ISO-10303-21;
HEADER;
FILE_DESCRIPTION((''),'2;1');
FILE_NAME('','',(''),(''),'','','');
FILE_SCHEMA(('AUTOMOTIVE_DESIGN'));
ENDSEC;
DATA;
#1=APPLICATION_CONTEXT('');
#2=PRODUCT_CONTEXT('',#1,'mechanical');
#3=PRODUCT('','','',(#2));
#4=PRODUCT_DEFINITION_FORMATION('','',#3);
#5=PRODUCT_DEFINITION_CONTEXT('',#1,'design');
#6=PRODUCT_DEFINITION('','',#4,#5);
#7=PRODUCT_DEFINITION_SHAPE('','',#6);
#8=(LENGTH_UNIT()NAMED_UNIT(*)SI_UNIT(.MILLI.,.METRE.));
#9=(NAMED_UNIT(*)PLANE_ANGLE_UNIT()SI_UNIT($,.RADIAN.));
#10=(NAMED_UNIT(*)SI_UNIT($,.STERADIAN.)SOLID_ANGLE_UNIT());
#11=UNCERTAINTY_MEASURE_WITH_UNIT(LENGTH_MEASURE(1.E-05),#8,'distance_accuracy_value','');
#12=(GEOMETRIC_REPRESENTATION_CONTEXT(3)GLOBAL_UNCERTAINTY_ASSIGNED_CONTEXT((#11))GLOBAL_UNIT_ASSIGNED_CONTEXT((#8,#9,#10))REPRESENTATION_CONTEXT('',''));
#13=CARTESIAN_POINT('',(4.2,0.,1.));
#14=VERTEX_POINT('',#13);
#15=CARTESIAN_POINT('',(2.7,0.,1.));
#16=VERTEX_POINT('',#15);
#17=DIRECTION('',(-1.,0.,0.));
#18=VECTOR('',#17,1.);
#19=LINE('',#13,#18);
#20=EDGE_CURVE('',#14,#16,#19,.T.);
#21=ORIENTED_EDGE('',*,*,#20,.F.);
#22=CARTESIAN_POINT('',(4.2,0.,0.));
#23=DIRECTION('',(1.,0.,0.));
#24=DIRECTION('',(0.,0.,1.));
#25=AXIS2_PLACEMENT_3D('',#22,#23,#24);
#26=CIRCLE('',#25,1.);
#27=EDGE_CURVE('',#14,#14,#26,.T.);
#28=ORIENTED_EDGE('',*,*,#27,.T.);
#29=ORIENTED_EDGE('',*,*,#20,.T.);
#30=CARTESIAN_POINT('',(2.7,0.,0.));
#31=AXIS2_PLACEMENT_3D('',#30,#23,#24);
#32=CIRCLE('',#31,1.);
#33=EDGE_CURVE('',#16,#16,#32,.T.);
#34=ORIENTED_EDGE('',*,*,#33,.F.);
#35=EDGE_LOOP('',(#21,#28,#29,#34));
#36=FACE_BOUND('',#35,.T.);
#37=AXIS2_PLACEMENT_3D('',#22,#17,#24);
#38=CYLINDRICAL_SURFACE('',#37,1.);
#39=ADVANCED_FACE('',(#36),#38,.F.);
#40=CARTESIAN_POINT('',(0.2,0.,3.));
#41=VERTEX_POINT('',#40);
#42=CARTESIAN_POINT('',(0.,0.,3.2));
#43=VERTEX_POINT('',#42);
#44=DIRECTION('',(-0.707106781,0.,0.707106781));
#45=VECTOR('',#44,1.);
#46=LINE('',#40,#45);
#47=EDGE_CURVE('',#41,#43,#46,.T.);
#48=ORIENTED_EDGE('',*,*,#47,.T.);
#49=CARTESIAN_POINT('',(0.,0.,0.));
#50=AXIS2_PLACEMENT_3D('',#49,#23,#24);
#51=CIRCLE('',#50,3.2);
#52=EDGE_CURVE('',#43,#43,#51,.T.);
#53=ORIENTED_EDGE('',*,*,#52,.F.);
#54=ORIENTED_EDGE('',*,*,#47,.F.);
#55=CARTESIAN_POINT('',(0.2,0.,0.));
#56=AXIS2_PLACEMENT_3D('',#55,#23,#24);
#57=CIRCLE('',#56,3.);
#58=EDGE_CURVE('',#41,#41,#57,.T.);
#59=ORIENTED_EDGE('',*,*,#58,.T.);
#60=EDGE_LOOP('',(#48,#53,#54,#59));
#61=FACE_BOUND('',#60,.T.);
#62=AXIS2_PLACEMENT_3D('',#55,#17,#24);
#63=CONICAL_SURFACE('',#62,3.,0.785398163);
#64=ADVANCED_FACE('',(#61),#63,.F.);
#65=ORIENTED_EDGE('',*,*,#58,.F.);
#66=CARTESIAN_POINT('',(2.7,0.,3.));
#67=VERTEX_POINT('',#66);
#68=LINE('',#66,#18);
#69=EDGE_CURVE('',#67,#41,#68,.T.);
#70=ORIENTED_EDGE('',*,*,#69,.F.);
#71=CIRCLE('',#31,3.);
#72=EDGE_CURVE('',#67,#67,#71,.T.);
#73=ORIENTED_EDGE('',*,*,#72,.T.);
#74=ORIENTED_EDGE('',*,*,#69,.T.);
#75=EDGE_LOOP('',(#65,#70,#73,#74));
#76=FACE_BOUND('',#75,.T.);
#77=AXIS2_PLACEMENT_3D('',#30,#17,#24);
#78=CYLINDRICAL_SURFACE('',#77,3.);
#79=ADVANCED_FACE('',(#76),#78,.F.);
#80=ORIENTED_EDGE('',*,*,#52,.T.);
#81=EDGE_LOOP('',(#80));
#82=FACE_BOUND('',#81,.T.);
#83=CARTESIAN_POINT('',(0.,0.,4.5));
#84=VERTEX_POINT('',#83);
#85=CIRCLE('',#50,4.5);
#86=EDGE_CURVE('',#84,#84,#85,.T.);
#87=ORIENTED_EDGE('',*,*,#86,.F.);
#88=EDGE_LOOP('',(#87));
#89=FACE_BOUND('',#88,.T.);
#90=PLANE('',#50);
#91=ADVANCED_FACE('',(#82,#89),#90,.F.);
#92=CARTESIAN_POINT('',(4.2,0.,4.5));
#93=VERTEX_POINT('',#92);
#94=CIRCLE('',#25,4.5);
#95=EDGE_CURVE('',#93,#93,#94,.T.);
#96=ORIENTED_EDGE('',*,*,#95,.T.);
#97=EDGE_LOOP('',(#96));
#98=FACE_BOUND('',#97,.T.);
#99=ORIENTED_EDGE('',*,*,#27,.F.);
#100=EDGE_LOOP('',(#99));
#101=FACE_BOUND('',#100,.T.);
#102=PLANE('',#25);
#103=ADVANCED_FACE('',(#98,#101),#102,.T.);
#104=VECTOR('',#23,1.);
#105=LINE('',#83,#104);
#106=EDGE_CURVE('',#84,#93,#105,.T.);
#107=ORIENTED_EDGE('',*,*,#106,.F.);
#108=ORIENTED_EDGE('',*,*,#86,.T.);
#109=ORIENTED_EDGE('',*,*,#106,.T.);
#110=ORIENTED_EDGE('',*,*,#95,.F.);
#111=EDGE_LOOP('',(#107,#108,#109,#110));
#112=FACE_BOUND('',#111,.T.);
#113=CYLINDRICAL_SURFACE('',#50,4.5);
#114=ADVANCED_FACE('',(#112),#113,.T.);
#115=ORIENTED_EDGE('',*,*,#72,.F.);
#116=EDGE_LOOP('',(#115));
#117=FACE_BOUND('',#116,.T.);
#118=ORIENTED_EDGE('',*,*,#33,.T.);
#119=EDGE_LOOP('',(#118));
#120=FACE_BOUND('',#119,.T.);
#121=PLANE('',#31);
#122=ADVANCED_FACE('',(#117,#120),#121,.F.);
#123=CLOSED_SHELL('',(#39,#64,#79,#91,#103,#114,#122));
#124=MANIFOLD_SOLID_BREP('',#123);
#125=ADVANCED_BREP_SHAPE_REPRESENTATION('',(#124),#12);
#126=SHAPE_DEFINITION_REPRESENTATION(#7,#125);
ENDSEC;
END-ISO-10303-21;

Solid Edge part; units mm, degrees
sketch "Sketch1" plane through (0, 0, 0) normal (0, -1, 0) x (1, 0, 0)
  line L0 (0, 4.5) -> (4.2, 4.5)
  line L1 (4.2, 4.5) -> (4.2, 1)
  line L2 (4.2, 1) -> (2.7, 1)
  line L3 (2.7, 1) -> (2.7, 3)
  line L4 (2.7, 3) -> (0, 3)
  line L5 (0, 3) -> (0, 4.5)
revolve "RevolvedProtrusion1" add sketch "Sketch1" angle 360 about axis through (0, 0, 0) along (1, 0, 0)
chamfer "Chamfer1" distance 0.2 angle 45 1 edges at (0, 0, -3)
